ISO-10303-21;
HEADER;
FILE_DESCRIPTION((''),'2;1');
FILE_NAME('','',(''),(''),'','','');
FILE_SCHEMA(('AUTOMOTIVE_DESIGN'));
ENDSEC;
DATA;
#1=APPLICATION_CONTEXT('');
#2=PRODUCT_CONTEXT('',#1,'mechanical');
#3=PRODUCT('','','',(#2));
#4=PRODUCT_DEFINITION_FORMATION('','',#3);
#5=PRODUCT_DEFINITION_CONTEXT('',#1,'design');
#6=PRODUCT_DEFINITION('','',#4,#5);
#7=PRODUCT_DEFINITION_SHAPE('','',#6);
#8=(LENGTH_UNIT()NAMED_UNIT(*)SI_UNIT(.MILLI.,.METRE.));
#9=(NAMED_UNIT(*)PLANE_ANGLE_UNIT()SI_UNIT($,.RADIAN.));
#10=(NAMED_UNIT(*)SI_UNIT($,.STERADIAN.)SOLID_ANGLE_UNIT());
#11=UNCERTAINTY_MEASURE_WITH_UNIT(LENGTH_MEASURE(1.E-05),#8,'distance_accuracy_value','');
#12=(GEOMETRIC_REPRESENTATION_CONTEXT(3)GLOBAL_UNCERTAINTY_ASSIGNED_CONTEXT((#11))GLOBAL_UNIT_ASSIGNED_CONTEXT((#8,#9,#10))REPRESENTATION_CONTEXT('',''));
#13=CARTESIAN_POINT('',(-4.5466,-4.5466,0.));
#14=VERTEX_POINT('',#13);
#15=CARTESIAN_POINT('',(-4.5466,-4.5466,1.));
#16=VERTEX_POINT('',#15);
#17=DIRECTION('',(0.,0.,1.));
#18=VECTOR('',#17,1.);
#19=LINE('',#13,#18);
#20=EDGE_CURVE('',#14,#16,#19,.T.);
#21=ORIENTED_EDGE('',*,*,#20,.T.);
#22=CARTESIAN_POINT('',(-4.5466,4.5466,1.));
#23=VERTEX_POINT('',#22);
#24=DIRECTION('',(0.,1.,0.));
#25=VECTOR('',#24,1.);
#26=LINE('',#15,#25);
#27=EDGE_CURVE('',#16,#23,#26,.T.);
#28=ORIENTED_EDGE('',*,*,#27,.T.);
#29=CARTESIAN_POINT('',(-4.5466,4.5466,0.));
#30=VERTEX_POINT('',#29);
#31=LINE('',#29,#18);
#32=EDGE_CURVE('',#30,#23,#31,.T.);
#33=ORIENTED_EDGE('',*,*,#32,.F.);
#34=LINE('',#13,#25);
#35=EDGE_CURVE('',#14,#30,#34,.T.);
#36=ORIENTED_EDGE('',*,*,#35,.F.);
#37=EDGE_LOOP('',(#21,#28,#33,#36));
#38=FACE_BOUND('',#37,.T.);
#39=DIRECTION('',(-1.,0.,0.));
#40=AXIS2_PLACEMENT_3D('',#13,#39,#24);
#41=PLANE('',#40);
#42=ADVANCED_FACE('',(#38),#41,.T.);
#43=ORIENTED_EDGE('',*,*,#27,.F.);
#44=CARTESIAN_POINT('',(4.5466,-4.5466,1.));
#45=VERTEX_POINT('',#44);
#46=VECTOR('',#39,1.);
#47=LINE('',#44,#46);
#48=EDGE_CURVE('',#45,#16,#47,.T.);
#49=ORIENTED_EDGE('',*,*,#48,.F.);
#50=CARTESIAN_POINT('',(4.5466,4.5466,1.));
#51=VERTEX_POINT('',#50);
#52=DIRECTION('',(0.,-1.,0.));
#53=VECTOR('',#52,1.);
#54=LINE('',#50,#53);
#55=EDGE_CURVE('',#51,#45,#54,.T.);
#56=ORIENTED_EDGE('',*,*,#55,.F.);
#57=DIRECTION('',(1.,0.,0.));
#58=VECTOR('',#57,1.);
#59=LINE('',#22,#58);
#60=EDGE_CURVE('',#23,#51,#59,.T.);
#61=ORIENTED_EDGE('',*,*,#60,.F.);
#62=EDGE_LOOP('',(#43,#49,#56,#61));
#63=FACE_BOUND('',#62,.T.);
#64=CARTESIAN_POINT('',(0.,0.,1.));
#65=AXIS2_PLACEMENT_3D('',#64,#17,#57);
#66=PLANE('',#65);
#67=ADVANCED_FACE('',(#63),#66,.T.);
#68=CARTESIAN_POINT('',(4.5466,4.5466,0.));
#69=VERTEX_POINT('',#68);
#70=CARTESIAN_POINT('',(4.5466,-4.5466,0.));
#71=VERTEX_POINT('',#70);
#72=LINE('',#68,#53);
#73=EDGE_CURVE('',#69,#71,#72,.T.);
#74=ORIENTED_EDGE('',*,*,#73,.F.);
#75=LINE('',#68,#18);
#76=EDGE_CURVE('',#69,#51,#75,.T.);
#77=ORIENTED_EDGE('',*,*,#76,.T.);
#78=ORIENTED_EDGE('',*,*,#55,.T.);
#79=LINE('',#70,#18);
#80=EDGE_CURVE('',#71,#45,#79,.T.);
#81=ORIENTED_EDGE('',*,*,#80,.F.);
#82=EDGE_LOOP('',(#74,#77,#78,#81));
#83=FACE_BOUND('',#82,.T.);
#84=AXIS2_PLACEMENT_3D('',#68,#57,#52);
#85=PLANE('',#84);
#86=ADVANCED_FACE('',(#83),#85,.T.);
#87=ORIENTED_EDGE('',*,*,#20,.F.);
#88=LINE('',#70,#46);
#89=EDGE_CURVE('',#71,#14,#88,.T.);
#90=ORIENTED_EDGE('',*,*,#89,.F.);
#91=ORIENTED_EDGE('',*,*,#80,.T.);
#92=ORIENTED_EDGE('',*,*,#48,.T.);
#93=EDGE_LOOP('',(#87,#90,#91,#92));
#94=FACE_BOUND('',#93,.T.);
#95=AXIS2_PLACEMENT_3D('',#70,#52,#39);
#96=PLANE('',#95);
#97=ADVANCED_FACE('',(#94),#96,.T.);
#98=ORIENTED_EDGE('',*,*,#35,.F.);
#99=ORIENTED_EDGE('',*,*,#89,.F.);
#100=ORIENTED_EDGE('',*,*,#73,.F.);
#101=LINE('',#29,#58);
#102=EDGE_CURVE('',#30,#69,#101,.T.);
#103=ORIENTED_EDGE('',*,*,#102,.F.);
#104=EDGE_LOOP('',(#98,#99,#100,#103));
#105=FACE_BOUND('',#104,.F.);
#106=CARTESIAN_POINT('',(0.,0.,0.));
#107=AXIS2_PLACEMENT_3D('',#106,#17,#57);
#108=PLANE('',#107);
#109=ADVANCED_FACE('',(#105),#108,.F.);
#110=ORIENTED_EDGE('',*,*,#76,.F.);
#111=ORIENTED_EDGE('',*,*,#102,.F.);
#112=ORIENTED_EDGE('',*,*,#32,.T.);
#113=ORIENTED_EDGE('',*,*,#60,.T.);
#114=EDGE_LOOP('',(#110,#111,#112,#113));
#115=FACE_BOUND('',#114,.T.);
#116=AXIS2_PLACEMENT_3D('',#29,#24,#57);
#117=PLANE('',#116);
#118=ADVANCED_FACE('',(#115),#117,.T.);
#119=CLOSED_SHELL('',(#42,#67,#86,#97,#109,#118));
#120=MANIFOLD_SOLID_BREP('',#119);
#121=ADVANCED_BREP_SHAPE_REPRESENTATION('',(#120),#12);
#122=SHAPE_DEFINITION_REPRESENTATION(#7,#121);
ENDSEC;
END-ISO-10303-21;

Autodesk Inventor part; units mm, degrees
ref_plane "YZ Plane" through (0, 0, 0) normal (1, 0, 0) x (0, 1, 0)
ref_plane "XZ Plane" through (0, 0, 0) normal (0, 1, 0) x (-1, 0, 0)
ref_plane "XY Plane" through (0, 0, 0) normal (0, 0, 1) x (1, 0, 0)
sketch "TQFP32-08, ATMEGA328P_TQFP_11" plane through (0, 0, 0) normal (0, 0, 1) x (1, 0, 0)
  line L0 (-4.5466, 4.5466) -> (4.5466, 4.5466)
  line L1 (4.5466, 4.5466) -> (4.5466, -4.5466)
  line L2 (4.5466, -4.5466) -> (-4.5466, -4.5466)
  line L3 (-4.5466, -4.5466) -> (-4.5466, 4.5466)
extrude "Extrusion1" add sketch "TQFP32-08, ATMEGA328P_TQFP_11" along normal blind 1
properties part number "ATMEGA328P_TQFP"
